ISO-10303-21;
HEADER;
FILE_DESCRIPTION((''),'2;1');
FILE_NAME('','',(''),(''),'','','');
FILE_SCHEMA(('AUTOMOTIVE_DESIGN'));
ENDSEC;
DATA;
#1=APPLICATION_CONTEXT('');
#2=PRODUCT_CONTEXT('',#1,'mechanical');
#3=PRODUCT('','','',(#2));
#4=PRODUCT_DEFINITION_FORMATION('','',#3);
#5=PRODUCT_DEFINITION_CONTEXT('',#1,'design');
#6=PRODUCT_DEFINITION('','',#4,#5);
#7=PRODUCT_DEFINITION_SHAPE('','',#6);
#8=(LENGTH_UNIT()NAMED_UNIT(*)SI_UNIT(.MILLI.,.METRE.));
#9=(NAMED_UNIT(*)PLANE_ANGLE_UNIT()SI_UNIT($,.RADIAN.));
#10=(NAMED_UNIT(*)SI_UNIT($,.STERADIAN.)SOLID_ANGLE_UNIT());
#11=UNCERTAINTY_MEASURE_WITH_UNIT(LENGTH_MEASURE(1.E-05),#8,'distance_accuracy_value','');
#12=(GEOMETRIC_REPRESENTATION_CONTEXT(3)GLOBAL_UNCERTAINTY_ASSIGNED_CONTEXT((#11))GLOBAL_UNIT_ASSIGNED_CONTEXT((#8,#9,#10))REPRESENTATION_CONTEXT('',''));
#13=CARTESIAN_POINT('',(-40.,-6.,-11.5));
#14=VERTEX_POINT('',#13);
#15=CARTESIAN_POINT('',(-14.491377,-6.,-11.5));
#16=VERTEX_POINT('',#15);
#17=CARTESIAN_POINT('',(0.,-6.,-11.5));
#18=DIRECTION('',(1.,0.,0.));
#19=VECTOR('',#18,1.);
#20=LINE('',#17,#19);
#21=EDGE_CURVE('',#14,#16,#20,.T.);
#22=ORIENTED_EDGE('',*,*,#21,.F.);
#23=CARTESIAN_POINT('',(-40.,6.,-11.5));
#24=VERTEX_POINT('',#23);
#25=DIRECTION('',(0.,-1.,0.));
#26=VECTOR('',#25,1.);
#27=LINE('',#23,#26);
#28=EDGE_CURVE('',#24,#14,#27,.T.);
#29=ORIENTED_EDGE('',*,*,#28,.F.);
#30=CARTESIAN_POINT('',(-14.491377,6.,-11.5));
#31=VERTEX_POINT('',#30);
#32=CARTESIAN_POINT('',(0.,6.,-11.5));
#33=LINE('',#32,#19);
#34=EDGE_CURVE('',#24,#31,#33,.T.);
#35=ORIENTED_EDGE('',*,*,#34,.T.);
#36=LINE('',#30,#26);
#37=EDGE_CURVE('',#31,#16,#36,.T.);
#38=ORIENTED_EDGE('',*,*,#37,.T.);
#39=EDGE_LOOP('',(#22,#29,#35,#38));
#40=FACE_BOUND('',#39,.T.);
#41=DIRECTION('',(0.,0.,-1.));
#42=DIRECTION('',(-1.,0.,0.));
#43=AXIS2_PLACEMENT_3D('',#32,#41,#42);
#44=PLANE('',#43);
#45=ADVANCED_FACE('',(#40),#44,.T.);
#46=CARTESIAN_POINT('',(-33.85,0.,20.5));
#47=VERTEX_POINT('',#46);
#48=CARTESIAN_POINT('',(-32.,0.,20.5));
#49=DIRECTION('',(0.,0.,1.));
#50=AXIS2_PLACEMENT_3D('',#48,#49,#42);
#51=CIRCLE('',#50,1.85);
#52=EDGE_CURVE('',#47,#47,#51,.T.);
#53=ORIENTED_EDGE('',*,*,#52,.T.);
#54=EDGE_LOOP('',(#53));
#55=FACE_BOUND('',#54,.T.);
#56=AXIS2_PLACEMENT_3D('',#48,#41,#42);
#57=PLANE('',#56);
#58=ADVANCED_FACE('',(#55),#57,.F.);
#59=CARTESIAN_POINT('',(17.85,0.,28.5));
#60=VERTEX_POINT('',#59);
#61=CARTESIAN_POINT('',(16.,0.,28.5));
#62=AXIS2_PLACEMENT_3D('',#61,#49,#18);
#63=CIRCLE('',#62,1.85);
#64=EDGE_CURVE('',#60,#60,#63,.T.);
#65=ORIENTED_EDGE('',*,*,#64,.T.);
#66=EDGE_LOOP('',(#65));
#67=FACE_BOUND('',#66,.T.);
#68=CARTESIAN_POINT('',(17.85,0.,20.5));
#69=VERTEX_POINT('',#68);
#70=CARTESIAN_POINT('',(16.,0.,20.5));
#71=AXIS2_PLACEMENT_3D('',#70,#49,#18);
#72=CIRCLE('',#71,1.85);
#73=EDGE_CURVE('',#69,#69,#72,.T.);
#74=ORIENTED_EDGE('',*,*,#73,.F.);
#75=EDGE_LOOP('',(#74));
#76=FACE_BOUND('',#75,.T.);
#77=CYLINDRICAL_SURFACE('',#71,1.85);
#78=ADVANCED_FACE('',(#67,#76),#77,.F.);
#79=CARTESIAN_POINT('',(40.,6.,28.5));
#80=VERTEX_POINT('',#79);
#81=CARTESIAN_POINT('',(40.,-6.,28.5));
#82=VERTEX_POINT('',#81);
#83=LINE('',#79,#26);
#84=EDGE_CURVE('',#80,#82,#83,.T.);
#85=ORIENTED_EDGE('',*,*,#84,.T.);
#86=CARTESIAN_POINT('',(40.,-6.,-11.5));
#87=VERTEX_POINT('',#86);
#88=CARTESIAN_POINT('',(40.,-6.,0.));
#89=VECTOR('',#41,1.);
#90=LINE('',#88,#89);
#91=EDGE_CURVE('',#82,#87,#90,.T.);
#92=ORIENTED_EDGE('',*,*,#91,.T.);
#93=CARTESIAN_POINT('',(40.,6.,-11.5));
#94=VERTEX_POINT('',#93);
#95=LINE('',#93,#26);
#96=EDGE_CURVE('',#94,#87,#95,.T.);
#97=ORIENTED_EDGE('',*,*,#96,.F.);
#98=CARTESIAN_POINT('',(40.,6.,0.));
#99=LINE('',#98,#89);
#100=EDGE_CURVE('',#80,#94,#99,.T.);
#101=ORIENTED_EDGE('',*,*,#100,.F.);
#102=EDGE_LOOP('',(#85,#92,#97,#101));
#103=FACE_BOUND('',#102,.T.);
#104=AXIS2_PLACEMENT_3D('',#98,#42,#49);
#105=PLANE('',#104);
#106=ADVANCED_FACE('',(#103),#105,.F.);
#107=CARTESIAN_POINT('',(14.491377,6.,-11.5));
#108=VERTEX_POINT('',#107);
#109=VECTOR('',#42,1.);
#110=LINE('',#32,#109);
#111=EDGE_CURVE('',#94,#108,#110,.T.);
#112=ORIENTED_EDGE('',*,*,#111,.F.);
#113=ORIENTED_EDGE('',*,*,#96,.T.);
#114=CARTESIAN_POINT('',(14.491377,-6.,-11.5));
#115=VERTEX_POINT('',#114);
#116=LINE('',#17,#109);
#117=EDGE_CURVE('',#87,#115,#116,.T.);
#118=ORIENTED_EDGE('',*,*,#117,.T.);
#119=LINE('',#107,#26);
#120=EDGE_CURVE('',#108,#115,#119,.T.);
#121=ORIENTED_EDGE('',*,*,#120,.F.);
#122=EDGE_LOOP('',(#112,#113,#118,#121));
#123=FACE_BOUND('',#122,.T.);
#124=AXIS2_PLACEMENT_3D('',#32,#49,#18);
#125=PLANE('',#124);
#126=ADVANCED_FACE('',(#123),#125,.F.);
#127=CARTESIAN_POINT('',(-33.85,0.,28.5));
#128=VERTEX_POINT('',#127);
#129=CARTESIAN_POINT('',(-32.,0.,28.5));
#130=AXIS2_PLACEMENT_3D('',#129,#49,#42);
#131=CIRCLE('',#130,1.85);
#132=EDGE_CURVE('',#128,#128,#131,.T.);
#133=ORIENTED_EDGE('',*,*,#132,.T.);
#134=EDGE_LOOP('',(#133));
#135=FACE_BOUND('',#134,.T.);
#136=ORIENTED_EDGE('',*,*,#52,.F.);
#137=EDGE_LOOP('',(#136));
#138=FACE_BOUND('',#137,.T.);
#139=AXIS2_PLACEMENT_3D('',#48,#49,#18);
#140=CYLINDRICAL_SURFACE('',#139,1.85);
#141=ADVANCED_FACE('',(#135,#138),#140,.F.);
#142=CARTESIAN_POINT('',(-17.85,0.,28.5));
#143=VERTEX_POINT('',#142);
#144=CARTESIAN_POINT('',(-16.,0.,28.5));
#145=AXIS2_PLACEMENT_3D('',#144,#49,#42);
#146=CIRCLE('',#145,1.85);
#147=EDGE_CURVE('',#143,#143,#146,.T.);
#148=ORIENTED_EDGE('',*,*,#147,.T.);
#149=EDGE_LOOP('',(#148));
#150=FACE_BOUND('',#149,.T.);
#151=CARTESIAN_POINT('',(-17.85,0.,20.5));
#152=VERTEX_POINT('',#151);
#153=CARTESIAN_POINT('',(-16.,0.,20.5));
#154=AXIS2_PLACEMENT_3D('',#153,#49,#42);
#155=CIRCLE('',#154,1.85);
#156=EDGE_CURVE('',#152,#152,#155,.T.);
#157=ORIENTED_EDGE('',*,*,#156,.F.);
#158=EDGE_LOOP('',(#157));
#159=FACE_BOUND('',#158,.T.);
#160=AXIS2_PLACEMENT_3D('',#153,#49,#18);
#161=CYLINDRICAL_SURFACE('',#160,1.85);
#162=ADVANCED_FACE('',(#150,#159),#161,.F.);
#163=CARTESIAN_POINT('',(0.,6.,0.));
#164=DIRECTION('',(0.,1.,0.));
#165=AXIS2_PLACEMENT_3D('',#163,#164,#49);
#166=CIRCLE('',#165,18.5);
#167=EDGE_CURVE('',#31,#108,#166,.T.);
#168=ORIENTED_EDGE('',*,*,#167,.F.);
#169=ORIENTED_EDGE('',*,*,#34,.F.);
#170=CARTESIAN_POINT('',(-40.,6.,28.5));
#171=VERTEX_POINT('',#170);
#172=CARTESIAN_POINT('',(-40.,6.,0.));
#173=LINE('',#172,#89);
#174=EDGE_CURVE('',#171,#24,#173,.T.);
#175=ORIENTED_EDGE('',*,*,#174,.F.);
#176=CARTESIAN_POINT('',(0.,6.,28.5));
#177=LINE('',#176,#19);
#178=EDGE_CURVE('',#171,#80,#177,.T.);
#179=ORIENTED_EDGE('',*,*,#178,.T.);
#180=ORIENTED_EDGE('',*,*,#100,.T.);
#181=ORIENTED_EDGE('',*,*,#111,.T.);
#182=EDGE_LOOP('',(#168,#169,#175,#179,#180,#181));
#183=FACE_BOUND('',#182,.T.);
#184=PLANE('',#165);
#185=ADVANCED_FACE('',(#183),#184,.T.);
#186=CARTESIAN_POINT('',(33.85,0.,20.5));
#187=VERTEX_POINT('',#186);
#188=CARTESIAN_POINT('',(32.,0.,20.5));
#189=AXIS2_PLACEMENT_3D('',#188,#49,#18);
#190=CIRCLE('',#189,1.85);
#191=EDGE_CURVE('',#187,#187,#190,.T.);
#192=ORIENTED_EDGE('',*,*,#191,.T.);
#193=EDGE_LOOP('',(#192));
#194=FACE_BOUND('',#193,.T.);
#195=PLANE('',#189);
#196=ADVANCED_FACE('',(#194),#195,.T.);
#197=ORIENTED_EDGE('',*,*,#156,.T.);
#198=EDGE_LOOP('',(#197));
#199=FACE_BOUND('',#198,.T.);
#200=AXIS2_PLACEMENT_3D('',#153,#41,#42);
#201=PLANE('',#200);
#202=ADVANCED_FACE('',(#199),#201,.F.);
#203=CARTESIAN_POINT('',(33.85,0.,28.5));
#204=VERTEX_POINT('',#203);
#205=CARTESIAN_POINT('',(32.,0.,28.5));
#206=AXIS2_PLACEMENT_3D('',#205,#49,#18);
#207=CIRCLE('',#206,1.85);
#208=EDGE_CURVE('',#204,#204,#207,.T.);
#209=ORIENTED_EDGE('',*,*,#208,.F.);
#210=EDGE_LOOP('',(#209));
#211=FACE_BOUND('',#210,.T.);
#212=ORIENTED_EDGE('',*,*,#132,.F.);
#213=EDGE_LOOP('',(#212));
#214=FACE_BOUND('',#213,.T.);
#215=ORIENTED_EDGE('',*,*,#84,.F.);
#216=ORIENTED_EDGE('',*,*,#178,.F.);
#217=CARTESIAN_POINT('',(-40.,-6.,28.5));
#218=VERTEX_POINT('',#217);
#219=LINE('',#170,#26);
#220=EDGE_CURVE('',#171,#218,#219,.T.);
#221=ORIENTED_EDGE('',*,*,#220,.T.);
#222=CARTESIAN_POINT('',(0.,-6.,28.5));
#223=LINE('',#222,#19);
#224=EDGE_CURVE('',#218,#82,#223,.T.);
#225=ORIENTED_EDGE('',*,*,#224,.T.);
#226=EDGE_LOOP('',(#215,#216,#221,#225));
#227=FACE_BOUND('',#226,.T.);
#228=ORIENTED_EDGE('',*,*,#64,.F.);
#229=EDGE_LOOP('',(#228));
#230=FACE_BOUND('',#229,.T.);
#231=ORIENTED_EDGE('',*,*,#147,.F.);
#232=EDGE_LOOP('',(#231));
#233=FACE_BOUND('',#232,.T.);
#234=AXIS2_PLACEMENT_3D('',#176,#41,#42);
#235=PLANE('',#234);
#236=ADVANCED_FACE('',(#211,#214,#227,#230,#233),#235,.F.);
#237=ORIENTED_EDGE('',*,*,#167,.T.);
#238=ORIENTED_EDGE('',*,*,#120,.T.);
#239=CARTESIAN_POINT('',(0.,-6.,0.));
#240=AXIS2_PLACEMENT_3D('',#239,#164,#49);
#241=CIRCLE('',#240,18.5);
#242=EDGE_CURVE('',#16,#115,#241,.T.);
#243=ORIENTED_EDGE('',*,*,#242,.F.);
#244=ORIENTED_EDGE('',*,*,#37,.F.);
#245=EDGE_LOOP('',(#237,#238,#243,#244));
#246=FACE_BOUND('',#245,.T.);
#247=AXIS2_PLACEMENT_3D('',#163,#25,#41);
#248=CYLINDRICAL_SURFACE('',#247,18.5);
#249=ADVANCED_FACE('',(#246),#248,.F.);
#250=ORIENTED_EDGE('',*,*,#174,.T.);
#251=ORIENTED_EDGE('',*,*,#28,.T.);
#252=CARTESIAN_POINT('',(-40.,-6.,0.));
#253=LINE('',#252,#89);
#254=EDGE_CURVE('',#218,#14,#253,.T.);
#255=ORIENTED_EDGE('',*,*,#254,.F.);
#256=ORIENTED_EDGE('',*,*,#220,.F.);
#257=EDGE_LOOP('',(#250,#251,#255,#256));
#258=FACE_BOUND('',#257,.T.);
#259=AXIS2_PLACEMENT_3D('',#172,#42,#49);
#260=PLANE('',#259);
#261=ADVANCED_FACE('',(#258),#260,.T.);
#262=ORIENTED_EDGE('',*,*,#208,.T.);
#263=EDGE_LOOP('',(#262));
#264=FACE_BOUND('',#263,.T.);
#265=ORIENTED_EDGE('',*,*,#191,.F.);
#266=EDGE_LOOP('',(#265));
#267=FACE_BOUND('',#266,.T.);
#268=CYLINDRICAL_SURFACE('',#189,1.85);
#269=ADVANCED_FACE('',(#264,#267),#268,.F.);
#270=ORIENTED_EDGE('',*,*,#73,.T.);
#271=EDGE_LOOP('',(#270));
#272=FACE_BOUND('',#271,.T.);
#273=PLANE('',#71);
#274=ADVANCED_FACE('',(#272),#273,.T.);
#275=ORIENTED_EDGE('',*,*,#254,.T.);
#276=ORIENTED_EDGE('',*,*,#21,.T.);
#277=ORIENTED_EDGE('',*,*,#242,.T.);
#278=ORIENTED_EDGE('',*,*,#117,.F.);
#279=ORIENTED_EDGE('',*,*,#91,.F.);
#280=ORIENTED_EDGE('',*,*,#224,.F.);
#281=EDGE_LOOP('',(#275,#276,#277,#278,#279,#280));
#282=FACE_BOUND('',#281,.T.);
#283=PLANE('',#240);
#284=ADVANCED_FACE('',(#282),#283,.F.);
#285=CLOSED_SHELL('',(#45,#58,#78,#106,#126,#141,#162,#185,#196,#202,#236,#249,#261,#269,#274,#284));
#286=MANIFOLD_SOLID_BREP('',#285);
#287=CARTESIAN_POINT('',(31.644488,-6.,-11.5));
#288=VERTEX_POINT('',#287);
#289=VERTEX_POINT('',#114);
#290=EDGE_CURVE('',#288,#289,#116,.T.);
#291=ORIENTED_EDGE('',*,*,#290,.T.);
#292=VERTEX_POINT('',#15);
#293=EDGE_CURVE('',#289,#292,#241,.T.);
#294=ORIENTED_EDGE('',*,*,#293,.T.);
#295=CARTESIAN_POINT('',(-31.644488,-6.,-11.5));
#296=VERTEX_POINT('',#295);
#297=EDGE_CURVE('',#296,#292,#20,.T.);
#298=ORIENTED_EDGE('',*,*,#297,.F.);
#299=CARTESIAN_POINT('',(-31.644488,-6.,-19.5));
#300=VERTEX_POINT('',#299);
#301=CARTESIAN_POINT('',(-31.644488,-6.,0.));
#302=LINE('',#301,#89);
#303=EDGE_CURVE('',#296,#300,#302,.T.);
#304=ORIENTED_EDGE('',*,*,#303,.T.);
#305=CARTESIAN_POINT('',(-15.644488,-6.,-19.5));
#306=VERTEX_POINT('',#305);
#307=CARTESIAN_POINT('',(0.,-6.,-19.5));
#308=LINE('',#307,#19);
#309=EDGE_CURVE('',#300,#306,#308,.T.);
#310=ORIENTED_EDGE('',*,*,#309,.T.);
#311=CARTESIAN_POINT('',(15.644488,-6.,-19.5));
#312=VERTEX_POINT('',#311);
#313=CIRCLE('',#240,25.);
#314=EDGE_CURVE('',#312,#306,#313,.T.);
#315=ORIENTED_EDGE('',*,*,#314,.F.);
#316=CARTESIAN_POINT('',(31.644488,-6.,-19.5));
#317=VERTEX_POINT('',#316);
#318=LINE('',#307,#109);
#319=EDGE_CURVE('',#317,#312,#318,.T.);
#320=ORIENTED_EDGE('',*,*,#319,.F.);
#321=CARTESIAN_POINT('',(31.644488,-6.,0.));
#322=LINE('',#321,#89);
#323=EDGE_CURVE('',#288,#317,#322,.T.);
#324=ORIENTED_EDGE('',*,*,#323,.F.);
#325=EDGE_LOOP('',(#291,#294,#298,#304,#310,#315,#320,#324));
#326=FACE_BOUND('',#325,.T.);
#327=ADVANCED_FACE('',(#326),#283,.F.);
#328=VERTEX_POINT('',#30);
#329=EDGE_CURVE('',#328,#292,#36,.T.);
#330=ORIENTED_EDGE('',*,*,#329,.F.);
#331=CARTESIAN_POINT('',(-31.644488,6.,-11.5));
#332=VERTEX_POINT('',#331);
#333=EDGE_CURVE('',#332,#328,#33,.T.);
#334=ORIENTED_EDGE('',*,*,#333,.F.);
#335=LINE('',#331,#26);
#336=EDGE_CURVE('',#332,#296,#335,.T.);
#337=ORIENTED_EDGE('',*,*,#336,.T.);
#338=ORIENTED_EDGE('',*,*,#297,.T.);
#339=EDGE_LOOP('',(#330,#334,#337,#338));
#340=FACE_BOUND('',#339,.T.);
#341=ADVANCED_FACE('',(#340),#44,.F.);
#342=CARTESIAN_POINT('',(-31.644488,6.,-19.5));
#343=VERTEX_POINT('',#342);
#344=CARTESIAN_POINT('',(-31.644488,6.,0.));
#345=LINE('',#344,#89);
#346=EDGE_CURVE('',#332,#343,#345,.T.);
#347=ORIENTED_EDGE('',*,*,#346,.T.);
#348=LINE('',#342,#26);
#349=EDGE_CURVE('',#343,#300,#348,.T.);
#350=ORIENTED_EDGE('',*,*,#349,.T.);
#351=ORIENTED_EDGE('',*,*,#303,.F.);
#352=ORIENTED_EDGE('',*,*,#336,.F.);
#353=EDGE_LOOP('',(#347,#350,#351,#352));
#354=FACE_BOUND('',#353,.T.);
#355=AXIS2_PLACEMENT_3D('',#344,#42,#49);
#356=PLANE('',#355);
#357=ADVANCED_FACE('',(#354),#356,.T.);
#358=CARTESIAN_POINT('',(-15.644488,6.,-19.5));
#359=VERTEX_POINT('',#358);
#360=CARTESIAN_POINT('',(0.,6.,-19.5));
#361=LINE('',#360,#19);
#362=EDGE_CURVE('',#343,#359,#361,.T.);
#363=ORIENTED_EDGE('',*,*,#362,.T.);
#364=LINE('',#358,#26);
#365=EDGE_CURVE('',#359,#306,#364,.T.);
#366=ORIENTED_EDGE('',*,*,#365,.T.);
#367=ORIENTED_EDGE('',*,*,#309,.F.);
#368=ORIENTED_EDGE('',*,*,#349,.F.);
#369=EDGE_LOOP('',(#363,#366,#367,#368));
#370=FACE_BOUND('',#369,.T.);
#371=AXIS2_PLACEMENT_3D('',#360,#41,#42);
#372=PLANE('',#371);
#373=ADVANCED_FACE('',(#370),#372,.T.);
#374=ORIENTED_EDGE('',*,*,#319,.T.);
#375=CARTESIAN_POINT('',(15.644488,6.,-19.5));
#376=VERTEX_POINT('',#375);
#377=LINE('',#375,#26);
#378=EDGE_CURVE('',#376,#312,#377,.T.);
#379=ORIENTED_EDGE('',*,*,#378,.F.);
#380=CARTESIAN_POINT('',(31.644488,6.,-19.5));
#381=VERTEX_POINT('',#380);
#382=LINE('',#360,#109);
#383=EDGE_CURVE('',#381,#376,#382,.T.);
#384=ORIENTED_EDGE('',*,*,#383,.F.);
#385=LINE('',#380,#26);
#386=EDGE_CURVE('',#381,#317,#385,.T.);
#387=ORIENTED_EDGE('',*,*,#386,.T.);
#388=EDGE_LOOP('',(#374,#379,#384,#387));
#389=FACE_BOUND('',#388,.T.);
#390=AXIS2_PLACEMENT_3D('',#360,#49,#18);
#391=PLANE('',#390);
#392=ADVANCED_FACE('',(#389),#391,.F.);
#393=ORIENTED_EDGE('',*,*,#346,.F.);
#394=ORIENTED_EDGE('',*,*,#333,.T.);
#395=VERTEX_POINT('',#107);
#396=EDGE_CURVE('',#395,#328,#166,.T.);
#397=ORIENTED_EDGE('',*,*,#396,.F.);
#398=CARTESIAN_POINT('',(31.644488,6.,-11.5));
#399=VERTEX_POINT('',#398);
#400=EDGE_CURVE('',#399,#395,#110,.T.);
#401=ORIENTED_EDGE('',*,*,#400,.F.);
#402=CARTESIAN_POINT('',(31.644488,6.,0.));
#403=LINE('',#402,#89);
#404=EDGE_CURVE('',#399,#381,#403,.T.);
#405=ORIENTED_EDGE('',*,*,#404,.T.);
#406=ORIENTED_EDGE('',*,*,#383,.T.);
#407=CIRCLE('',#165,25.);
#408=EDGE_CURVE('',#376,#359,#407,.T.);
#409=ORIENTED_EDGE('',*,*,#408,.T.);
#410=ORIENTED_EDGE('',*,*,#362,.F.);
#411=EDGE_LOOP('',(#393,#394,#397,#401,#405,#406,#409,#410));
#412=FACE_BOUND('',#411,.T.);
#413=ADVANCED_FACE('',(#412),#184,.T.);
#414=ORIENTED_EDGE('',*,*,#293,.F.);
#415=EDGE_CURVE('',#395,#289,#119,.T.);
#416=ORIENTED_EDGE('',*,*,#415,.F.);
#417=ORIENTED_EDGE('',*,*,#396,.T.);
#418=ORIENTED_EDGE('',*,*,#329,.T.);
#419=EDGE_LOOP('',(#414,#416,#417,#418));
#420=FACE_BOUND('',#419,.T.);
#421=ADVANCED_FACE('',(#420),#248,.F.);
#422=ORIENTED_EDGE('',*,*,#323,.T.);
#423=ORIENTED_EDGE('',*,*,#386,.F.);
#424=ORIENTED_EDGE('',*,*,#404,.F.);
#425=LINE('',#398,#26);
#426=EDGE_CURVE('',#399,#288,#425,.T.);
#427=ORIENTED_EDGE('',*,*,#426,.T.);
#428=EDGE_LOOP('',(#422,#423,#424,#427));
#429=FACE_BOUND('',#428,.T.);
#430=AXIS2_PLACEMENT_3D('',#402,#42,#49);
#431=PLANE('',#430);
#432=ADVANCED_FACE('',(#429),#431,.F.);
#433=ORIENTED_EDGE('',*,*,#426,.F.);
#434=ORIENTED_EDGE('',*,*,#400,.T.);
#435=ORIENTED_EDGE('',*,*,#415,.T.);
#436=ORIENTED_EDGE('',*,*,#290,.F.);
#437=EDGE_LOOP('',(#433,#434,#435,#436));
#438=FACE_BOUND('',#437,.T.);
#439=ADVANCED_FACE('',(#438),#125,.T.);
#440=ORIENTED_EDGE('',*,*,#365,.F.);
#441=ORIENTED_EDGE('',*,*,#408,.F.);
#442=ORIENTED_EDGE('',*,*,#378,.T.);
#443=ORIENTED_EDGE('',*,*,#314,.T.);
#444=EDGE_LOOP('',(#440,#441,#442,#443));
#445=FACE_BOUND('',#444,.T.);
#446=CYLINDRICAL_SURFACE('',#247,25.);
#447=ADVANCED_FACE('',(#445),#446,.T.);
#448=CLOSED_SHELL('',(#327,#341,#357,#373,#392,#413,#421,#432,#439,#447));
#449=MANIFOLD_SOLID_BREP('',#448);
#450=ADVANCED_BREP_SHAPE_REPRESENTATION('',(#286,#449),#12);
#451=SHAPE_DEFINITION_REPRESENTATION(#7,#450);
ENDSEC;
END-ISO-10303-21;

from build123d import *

# Parameters (mm, degrees)
MOTOR_MOUNT_DEPTH          = 6
TAPPING_COVER_DEPTH        = 6
SKETCH_2_R                 = 1.85
TAPPING_HOLES_BOTTOM_DEPTH = 8


with BuildPart() as part:
    # 草图1 → motor Mount (new, symmetric)
    with BuildSketch(Plane(origin=(0, 0, 0), x_dir=(1, 0, 0), z_dir=(0, 1, 0))):
        with BuildLine():
            Line((-40, 11.5), (-40, -28.5))
            Line((-40, -28.5), (40, -28.5))
            Line((40, -28.5), (40, 11.5))
            Line((40, 11.5), (31.644487847, 11.5))
            Line((31.644487847, 11.5), (14.491376746, 11.5))
            ThreePointArc((14.491376746, 11.5), (17.469122328, 6.089315651), (18.5, 0))
            ThreePointArc((18.5, 0), (-6.089315651, -17.469122328), (-14.491376746, 11.5))
            Line((-14.491376746, 11.5), (-31.644487847, 11.5))
            Line((-31.644487847, 11.5), (-40, 11.5))
        make_face()
    extrude(amount=MOTOR_MOUNT_DEPTH, both=True)

    # 草图2 → tapping holes_bottom (cut)
    with BuildSketch(Plane.XY.offset(28.5)):
        with Locations((32, 0)):
            Circle(SKETCH_2_R)
        with Locations((16, 0)):
            Circle(SKETCH_2_R)
        with Locations((-16, 0)):
            Circle(SKETCH_2_R)
        with Locations((-32, 0)):
            Circle(SKETCH_2_R)
    extrude(amount=-TAPPING_HOLES_BOTTOM_DEPTH, mode=Mode.SUBTRACT)


with BuildPart() as body_2:
    # 草图1<4> → tapping cover (new, symmetric)
    with BuildSketch(Plane(origin=(0, 0, 0), x_dir=(1, 0, 0), z_dir=(0, 1, 0))):
        with BuildLine():
            Line((-31.644487847, 19.5), (-31.644487847, 11.5))
            Line((-31.644487847, 11.5), (-14.491376746, 11.5))
            ThreePointArc((-14.491376746, 11.5), (0, 18.5), (14.491376746, 11.5))
            Line((14.491376746, 11.5), (31.644487847, 11.5))
            Line((31.644487847, 11.5), (31.644487847, 19.5))
            Line((31.644487847, 19.5), (15.644487847, 19.5))
            ThreePointArc((15.644487847, 19.5), (0, 25), (-15.644487847, 19.5))
            Line((-15.644487847, 19.5), (-31.644487847, 19.5))
        make_face()
    extrude(amount=TAPPING_COVER_DEPTH, both=True)


solid = Compound([part.part, body_2.part])
